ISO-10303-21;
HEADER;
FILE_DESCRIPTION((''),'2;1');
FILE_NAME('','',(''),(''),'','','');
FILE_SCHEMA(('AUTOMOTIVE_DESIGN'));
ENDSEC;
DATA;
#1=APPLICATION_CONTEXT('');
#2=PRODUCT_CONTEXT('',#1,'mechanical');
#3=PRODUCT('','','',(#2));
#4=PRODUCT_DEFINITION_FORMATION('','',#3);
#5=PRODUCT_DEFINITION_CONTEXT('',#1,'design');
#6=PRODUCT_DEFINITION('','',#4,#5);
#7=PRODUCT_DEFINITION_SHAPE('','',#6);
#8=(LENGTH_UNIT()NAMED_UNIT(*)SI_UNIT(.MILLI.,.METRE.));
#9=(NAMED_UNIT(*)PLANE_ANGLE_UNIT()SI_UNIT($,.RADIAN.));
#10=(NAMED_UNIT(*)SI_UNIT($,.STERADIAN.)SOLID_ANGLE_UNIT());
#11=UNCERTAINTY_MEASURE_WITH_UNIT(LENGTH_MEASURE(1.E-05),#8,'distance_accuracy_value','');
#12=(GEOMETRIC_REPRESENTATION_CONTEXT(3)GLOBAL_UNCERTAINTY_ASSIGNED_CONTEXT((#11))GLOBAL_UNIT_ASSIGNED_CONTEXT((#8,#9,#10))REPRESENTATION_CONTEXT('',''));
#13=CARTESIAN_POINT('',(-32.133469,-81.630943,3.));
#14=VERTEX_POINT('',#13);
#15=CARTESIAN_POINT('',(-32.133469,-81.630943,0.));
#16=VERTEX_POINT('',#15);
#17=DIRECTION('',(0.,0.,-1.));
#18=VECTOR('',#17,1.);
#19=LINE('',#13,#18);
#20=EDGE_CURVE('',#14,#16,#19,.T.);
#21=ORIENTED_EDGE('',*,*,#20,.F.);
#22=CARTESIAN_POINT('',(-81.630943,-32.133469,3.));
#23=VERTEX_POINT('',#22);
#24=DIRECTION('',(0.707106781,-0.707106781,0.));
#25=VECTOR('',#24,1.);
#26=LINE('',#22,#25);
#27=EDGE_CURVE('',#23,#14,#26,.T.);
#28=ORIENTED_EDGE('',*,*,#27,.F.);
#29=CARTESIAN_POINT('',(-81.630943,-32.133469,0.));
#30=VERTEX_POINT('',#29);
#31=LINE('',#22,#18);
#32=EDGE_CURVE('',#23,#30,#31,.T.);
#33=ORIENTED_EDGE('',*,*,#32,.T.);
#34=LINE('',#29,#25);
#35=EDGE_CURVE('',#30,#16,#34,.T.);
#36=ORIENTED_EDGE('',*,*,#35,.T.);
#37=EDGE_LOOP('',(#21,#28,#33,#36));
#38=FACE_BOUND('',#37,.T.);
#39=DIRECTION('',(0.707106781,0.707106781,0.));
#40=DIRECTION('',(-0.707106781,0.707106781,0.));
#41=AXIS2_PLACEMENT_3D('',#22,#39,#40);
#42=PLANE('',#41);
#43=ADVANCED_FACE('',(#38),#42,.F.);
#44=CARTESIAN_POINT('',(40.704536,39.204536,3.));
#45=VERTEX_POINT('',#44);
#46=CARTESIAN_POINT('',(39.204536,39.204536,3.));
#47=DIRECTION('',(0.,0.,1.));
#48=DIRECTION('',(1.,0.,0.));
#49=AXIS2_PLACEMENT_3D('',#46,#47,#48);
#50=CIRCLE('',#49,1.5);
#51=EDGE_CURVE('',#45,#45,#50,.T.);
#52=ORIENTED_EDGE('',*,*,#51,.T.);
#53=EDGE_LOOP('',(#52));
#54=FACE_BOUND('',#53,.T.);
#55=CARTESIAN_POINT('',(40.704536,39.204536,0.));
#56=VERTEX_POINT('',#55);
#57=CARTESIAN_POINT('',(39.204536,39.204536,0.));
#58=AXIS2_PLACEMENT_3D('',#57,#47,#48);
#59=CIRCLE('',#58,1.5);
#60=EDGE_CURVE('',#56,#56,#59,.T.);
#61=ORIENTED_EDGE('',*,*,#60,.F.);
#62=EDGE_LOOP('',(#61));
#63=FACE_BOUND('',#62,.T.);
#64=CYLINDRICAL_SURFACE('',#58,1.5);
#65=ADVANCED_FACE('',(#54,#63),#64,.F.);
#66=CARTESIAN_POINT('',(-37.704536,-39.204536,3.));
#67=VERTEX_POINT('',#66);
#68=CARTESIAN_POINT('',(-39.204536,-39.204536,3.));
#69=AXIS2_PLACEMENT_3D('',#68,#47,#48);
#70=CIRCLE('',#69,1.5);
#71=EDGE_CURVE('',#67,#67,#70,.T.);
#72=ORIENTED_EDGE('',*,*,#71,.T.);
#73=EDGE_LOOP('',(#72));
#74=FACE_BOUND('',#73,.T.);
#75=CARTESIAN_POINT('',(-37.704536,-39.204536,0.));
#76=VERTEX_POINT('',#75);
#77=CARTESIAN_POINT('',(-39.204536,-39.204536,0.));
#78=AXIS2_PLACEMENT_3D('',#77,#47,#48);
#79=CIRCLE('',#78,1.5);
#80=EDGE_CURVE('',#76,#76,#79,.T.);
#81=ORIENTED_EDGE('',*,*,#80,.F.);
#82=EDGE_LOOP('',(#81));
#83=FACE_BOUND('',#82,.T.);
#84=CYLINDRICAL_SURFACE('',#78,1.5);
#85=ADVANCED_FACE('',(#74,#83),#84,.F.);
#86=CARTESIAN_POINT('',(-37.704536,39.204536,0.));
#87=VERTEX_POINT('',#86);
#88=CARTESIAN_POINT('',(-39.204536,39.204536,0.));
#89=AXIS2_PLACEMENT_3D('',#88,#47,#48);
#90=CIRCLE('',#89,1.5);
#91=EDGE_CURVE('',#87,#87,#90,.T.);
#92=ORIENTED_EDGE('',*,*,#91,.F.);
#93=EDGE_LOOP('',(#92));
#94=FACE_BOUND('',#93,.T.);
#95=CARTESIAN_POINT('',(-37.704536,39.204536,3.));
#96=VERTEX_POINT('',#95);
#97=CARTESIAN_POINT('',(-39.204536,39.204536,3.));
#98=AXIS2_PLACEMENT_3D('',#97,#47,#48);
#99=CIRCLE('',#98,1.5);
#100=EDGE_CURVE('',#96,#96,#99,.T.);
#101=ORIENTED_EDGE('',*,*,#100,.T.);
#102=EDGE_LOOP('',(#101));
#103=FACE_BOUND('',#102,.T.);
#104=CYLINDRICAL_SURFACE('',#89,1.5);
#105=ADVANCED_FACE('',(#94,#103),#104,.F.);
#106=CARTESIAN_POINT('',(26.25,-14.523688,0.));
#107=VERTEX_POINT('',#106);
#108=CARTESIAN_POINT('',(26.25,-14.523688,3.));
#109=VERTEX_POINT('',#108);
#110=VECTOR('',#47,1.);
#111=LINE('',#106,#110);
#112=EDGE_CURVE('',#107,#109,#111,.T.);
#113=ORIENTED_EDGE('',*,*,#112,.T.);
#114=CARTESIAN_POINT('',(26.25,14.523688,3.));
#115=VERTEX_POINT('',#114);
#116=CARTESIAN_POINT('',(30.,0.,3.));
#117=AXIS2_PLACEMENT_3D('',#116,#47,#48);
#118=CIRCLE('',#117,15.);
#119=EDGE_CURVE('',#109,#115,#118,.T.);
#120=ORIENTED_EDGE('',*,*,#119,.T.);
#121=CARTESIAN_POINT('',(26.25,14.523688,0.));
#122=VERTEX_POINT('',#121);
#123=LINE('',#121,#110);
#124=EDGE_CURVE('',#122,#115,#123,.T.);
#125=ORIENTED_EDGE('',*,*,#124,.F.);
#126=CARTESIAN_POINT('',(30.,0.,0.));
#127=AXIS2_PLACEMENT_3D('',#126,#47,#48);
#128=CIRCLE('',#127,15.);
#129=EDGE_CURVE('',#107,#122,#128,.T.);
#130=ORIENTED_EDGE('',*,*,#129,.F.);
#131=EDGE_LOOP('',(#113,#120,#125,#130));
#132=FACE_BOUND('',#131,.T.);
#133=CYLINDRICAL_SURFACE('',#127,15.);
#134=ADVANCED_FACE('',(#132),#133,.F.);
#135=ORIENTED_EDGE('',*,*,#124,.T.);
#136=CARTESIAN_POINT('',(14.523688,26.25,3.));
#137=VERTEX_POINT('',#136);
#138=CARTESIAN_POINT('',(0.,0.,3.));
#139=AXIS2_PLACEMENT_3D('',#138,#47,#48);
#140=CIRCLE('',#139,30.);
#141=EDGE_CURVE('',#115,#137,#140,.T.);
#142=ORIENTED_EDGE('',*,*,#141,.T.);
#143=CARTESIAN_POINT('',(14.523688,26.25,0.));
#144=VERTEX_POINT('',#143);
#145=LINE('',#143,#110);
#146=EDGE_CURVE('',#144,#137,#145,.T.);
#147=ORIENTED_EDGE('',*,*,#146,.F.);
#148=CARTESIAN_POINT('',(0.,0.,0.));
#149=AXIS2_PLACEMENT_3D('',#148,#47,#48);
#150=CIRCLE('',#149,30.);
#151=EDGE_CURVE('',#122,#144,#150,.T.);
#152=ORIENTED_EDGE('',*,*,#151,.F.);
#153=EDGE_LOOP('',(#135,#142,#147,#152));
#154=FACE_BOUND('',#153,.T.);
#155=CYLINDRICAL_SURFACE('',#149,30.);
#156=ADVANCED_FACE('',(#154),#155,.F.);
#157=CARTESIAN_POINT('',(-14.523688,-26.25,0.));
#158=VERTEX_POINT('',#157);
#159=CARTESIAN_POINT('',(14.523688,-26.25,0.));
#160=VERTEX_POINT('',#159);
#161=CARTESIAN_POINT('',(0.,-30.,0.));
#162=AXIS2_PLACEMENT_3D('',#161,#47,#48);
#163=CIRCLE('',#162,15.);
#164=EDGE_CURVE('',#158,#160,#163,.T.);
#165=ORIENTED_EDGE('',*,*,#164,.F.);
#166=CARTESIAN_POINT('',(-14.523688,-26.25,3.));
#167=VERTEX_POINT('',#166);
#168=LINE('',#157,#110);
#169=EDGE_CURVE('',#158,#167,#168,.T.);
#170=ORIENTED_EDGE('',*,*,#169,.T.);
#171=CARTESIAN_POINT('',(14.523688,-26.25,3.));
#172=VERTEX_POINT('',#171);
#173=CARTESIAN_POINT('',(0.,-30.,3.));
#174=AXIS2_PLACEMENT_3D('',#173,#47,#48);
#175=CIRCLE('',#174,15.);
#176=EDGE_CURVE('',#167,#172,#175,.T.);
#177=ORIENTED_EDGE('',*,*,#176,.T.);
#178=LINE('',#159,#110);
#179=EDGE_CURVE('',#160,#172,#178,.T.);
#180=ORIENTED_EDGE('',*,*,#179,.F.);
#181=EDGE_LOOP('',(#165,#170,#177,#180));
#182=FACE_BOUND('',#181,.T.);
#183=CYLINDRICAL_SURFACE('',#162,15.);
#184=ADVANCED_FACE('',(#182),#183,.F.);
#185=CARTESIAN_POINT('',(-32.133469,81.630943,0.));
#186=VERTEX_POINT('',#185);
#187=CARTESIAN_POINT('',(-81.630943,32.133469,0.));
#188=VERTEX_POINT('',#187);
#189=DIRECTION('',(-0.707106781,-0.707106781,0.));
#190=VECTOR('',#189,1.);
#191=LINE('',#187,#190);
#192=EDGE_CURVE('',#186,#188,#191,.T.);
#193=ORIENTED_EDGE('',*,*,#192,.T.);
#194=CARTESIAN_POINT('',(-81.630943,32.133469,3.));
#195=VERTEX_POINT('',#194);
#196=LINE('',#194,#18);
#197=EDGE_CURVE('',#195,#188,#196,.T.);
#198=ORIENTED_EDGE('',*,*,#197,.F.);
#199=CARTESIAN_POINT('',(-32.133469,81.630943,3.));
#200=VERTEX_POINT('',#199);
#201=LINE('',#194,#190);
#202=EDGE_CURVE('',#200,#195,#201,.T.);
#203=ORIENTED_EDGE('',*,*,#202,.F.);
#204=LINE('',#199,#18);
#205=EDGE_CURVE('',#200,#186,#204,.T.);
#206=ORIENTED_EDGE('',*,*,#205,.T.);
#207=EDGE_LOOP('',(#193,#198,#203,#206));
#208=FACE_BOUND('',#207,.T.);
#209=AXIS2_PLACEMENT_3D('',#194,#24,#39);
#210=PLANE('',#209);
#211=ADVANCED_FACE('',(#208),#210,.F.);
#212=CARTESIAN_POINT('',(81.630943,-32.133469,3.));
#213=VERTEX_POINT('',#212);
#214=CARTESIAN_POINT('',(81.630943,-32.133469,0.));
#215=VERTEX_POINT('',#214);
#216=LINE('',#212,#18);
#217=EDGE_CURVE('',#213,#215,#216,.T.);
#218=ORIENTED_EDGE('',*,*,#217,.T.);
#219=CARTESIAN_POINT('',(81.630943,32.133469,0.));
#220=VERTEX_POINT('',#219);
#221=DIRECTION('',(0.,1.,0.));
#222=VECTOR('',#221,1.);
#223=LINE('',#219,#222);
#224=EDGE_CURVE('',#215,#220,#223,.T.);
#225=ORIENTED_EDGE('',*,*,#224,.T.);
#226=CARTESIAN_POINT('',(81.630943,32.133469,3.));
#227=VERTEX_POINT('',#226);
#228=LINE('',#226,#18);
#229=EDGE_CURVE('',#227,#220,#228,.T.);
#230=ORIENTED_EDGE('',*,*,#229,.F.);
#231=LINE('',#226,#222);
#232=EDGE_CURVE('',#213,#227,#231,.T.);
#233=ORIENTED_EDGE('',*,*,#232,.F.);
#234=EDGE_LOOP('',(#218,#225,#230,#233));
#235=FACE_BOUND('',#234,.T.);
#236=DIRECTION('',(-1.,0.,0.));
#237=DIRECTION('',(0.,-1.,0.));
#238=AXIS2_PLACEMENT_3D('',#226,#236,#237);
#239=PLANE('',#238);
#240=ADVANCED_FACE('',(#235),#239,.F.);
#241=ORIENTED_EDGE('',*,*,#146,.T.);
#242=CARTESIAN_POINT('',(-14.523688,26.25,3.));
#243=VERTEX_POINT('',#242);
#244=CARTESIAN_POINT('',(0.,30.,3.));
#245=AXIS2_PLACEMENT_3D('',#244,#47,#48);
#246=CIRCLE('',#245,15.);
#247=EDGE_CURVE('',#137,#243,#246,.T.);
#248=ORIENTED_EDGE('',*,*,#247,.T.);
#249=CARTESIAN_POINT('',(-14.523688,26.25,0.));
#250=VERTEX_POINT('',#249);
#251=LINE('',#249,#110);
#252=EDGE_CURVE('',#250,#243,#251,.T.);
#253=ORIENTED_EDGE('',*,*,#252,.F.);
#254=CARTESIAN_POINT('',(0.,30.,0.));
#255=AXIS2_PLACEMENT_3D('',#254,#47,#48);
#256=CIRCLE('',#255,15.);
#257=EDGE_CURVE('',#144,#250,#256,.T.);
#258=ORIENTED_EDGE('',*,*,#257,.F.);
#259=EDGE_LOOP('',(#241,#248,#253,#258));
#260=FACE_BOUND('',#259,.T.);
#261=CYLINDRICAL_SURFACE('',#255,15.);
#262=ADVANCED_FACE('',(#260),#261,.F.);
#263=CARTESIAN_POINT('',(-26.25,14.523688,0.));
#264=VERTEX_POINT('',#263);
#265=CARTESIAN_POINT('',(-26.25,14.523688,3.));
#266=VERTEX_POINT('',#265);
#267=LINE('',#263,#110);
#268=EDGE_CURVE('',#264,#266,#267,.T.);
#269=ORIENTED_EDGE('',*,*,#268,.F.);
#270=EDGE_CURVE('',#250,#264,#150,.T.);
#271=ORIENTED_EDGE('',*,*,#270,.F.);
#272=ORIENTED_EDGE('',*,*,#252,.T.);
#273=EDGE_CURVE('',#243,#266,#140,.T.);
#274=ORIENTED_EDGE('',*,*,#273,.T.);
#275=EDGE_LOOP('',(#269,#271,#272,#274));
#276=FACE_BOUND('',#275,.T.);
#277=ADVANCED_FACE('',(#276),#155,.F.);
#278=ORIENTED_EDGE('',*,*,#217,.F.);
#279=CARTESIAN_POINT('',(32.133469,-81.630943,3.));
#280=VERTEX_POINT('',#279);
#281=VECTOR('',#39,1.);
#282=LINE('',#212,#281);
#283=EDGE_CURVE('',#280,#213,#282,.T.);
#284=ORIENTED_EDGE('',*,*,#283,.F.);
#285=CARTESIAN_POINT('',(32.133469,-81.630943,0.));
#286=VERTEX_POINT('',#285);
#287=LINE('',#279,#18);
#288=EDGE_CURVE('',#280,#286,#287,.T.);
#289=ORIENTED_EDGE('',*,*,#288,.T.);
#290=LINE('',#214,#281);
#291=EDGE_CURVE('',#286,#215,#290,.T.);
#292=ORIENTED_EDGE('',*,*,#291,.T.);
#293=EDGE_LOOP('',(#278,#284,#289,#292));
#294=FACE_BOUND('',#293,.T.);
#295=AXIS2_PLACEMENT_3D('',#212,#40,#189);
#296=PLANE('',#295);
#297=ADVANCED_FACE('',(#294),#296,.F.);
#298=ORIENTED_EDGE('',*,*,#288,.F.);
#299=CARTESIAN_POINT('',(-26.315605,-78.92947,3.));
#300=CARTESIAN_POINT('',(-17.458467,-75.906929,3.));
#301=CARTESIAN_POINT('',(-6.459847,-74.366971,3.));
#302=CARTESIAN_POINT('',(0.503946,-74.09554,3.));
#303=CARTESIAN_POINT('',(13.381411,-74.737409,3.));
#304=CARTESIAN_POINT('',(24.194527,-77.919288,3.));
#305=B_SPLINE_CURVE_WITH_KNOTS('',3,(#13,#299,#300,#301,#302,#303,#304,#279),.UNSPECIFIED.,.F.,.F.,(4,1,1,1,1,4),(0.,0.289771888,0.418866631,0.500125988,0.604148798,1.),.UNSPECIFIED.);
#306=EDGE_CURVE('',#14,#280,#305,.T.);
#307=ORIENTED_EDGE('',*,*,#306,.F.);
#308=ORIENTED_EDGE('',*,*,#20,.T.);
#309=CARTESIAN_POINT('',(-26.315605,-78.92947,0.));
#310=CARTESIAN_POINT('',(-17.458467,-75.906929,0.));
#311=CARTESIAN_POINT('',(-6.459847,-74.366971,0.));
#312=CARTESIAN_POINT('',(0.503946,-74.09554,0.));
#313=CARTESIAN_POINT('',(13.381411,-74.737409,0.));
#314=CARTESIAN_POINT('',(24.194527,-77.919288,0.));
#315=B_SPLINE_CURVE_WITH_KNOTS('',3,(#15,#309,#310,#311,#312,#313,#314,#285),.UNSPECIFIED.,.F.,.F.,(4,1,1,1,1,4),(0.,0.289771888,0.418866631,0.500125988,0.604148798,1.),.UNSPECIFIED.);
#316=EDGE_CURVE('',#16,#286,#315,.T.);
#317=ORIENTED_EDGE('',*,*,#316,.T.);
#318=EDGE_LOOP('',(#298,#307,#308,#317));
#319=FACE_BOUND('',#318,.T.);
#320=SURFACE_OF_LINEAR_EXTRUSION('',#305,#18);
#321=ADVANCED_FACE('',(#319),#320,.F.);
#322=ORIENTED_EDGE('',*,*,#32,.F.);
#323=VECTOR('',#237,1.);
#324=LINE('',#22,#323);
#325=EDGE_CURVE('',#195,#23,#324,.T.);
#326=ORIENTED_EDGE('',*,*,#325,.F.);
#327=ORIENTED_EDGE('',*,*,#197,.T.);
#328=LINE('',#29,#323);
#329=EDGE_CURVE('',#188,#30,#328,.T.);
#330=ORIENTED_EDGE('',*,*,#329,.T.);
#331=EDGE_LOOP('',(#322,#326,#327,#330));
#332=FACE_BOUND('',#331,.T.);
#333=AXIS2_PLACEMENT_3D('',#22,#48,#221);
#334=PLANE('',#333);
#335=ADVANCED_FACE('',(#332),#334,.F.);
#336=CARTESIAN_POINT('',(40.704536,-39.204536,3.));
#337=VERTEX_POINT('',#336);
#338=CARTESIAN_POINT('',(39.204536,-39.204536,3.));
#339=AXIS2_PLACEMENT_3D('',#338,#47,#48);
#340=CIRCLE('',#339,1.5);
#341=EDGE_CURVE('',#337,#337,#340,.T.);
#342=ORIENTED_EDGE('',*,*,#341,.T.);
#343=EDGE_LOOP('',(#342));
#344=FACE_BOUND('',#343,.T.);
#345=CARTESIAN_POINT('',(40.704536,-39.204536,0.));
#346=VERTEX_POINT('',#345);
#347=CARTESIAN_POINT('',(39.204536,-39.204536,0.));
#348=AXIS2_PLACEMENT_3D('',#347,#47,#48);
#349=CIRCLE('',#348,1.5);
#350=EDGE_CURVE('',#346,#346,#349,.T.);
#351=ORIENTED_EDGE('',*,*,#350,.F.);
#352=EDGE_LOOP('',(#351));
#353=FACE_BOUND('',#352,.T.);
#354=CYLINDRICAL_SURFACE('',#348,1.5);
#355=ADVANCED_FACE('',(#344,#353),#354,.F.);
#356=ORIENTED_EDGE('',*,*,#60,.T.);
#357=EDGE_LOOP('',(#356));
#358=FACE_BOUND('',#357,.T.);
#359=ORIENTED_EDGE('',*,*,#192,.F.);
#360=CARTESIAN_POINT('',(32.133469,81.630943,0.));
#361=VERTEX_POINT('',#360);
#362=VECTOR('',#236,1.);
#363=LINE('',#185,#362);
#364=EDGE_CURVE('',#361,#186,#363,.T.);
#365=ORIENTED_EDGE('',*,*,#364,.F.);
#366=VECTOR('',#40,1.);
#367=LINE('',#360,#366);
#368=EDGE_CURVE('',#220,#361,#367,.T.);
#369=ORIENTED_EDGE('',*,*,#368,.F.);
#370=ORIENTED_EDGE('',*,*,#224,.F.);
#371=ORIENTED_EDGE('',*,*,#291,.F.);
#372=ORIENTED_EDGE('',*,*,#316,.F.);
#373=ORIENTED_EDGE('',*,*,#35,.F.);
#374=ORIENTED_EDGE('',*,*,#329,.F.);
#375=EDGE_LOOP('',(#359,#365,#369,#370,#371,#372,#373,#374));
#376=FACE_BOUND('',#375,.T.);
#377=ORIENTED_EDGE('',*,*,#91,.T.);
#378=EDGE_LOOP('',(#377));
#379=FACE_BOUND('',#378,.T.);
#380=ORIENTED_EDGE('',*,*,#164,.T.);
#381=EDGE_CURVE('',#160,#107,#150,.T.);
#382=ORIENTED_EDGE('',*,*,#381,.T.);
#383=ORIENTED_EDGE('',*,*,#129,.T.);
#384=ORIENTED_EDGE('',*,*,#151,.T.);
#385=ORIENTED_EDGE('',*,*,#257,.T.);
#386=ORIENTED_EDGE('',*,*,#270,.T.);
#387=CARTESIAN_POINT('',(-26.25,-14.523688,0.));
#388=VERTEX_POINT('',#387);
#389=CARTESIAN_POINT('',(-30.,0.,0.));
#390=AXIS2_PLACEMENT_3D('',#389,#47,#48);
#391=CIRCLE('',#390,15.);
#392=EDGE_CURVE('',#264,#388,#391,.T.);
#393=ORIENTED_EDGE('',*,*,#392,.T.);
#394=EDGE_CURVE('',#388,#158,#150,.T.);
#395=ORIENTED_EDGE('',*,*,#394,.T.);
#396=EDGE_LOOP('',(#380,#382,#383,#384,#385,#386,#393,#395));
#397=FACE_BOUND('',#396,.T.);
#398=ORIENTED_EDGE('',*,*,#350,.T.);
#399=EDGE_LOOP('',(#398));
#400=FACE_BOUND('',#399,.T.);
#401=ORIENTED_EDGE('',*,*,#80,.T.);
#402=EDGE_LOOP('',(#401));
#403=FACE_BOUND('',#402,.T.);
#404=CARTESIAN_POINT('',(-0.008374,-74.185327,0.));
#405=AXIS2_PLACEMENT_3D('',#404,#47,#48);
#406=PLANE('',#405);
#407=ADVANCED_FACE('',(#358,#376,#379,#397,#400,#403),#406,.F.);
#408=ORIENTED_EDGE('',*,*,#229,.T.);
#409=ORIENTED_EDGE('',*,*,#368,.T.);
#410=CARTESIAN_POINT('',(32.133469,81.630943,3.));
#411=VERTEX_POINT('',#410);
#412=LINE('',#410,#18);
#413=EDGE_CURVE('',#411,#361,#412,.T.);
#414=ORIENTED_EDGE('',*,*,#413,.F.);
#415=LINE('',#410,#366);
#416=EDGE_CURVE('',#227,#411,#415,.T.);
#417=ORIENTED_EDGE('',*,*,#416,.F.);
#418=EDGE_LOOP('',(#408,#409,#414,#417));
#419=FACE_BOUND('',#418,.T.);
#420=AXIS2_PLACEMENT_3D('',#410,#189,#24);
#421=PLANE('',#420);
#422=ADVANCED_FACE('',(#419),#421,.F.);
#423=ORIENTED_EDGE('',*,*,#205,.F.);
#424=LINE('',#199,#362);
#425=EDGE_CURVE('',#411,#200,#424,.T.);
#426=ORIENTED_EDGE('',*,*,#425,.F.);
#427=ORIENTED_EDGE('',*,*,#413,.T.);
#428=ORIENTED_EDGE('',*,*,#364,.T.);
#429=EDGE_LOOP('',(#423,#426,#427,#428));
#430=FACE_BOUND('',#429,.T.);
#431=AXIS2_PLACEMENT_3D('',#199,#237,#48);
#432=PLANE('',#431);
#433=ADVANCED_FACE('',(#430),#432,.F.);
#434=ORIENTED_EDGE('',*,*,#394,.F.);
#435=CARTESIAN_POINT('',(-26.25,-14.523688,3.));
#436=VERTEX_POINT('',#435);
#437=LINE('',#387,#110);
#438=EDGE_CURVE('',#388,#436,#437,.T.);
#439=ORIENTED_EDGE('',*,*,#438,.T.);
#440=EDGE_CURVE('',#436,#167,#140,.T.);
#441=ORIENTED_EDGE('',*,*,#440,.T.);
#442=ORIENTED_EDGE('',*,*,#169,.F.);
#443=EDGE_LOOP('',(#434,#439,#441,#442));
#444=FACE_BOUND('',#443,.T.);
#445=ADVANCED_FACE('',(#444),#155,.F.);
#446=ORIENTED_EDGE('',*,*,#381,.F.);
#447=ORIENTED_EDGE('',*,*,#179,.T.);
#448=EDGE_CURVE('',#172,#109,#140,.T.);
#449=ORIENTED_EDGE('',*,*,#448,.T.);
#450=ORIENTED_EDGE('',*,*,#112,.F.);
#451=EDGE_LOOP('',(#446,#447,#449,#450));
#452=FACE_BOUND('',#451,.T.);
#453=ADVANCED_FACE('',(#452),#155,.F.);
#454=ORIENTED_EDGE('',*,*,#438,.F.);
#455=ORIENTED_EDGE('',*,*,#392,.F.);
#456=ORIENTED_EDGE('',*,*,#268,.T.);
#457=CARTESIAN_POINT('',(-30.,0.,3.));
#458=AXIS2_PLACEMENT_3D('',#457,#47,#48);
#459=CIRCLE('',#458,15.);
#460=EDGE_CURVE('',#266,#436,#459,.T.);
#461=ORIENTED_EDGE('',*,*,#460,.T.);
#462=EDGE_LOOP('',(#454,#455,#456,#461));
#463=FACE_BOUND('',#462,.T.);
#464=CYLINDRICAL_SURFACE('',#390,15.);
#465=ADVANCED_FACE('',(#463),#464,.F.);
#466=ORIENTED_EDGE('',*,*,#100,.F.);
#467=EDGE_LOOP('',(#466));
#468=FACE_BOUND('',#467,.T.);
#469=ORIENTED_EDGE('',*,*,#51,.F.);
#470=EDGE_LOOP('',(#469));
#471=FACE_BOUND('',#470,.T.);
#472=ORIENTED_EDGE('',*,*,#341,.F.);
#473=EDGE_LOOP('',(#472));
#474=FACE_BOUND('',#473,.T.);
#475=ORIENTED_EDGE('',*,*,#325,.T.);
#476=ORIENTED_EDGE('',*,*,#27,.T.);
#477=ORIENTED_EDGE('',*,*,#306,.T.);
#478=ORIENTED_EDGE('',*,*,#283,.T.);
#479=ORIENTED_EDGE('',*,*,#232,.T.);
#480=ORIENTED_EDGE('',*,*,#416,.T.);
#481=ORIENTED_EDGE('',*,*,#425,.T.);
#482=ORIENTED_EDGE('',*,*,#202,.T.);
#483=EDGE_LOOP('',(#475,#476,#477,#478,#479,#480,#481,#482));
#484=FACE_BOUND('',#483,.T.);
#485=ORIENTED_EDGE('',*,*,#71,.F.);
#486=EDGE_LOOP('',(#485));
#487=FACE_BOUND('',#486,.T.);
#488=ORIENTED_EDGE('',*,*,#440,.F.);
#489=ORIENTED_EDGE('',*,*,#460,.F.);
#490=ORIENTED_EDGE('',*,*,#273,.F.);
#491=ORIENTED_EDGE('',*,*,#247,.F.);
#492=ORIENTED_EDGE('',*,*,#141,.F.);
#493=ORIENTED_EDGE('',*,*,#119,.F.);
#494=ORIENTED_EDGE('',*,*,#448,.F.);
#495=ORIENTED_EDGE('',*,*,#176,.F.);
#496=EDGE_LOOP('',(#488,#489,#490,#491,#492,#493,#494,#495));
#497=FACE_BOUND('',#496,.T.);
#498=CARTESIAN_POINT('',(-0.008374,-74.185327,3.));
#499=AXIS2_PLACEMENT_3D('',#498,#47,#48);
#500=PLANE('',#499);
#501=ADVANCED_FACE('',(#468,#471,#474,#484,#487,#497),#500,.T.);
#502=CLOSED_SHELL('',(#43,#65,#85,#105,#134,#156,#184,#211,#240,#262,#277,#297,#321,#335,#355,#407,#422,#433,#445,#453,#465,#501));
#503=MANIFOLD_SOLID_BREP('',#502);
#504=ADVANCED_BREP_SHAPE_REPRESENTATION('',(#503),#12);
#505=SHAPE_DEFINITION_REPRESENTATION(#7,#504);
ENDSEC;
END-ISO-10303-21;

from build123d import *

# Parameters (mm, degrees)
BOSS_EXTRUDE1_DEPTH = 3
SKETCH2_R           = 1.5
CUT_EXTRUDE1_DEPTH  = 3
SKETCH3_R           = 30
SKETCH3_R_2         = 15
CUT_EXTRUDE2_DEPTH  = 3


with BuildPart() as part:
    # Sketch1 → Boss-Extrude1 (new body)
    with BuildSketch(Plane.XY):
        with BuildLine():
            Line((-32.133468612, 81.630943295), (32.133468612, 81.630943295))
            Line((32.133468612, 81.630943295), (81.630943295, 32.133468612))
            Line((81.630943295, 32.133468612), (81.630943295, -32.133468612))
            Line((81.630943295, -32.133468612), (32.133468612, -81.630943295))
            add(Edge.make_bspline(
                [(-32.133468612, -81.630943295), (-26.315604905, -78.929469601), (-17.458466972, -75.90692924), (-6.459846686, -74.366971031), (0.503945588, -74.095540146), (13.381410653, -74.737409183), (24.194527132, -77.919288079), (32.133468612, -81.630943295)],
                knots=[0, 0, 0, 0, 0.289771888, 0.418866631, 0.500125988, 0.604148798, 1, 1, 1, 1], degree=3))
            Line((-32.133468612, -81.630943295), (-81.630943295, -32.133468612))
            Line((-81.630943295, -32.133468612), (-81.630943295, 32.133468612))
            Line((-81.630943295, 32.133468612), (-32.133468612, 81.630943295))
        make_face()
    extrude(amount=BOSS_EXTRUDE1_DEPTH)

    # Sketch2 → Cut-Extrude1 (cut)
    with BuildSketch(Plane.XY.offset(3)):
        with Locations((-39.204536424, -39.204536424)):
            Circle(SKETCH2_R)
        with Locations((39.204536424, -39.204536424)):
            Circle(SKETCH2_R)
        with Locations((39.204536424, 39.204536424)):
            Circle(SKETCH2_R)
        with Locations((-39.204536424, 39.204536424)):
            Circle(SKETCH2_R)
    extrude(amount=-CUT_EXTRUDE1_DEPTH, mode=Mode.SUBTRACT)

    # Sketch3 → Cut-Extrude2 (cut)
    with BuildSketch(Plane.XY.offset(3)):
        Circle(SKETCH3_R)
        with Locations((0, 30)):
            Circle(SKETCH3_R_2)
        with Locations((0, -30)):
            Circle(SKETCH3_R_2)
        with Locations((30, 0)):
            Circle(SKETCH3_R_2)
        with Locations((-30, 0)):
            Circle(SKETCH3_R_2)
    extrude(amount=-CUT_EXTRUDE2_DEPTH, mode=Mode.SUBTRACT)


solid = part.part
